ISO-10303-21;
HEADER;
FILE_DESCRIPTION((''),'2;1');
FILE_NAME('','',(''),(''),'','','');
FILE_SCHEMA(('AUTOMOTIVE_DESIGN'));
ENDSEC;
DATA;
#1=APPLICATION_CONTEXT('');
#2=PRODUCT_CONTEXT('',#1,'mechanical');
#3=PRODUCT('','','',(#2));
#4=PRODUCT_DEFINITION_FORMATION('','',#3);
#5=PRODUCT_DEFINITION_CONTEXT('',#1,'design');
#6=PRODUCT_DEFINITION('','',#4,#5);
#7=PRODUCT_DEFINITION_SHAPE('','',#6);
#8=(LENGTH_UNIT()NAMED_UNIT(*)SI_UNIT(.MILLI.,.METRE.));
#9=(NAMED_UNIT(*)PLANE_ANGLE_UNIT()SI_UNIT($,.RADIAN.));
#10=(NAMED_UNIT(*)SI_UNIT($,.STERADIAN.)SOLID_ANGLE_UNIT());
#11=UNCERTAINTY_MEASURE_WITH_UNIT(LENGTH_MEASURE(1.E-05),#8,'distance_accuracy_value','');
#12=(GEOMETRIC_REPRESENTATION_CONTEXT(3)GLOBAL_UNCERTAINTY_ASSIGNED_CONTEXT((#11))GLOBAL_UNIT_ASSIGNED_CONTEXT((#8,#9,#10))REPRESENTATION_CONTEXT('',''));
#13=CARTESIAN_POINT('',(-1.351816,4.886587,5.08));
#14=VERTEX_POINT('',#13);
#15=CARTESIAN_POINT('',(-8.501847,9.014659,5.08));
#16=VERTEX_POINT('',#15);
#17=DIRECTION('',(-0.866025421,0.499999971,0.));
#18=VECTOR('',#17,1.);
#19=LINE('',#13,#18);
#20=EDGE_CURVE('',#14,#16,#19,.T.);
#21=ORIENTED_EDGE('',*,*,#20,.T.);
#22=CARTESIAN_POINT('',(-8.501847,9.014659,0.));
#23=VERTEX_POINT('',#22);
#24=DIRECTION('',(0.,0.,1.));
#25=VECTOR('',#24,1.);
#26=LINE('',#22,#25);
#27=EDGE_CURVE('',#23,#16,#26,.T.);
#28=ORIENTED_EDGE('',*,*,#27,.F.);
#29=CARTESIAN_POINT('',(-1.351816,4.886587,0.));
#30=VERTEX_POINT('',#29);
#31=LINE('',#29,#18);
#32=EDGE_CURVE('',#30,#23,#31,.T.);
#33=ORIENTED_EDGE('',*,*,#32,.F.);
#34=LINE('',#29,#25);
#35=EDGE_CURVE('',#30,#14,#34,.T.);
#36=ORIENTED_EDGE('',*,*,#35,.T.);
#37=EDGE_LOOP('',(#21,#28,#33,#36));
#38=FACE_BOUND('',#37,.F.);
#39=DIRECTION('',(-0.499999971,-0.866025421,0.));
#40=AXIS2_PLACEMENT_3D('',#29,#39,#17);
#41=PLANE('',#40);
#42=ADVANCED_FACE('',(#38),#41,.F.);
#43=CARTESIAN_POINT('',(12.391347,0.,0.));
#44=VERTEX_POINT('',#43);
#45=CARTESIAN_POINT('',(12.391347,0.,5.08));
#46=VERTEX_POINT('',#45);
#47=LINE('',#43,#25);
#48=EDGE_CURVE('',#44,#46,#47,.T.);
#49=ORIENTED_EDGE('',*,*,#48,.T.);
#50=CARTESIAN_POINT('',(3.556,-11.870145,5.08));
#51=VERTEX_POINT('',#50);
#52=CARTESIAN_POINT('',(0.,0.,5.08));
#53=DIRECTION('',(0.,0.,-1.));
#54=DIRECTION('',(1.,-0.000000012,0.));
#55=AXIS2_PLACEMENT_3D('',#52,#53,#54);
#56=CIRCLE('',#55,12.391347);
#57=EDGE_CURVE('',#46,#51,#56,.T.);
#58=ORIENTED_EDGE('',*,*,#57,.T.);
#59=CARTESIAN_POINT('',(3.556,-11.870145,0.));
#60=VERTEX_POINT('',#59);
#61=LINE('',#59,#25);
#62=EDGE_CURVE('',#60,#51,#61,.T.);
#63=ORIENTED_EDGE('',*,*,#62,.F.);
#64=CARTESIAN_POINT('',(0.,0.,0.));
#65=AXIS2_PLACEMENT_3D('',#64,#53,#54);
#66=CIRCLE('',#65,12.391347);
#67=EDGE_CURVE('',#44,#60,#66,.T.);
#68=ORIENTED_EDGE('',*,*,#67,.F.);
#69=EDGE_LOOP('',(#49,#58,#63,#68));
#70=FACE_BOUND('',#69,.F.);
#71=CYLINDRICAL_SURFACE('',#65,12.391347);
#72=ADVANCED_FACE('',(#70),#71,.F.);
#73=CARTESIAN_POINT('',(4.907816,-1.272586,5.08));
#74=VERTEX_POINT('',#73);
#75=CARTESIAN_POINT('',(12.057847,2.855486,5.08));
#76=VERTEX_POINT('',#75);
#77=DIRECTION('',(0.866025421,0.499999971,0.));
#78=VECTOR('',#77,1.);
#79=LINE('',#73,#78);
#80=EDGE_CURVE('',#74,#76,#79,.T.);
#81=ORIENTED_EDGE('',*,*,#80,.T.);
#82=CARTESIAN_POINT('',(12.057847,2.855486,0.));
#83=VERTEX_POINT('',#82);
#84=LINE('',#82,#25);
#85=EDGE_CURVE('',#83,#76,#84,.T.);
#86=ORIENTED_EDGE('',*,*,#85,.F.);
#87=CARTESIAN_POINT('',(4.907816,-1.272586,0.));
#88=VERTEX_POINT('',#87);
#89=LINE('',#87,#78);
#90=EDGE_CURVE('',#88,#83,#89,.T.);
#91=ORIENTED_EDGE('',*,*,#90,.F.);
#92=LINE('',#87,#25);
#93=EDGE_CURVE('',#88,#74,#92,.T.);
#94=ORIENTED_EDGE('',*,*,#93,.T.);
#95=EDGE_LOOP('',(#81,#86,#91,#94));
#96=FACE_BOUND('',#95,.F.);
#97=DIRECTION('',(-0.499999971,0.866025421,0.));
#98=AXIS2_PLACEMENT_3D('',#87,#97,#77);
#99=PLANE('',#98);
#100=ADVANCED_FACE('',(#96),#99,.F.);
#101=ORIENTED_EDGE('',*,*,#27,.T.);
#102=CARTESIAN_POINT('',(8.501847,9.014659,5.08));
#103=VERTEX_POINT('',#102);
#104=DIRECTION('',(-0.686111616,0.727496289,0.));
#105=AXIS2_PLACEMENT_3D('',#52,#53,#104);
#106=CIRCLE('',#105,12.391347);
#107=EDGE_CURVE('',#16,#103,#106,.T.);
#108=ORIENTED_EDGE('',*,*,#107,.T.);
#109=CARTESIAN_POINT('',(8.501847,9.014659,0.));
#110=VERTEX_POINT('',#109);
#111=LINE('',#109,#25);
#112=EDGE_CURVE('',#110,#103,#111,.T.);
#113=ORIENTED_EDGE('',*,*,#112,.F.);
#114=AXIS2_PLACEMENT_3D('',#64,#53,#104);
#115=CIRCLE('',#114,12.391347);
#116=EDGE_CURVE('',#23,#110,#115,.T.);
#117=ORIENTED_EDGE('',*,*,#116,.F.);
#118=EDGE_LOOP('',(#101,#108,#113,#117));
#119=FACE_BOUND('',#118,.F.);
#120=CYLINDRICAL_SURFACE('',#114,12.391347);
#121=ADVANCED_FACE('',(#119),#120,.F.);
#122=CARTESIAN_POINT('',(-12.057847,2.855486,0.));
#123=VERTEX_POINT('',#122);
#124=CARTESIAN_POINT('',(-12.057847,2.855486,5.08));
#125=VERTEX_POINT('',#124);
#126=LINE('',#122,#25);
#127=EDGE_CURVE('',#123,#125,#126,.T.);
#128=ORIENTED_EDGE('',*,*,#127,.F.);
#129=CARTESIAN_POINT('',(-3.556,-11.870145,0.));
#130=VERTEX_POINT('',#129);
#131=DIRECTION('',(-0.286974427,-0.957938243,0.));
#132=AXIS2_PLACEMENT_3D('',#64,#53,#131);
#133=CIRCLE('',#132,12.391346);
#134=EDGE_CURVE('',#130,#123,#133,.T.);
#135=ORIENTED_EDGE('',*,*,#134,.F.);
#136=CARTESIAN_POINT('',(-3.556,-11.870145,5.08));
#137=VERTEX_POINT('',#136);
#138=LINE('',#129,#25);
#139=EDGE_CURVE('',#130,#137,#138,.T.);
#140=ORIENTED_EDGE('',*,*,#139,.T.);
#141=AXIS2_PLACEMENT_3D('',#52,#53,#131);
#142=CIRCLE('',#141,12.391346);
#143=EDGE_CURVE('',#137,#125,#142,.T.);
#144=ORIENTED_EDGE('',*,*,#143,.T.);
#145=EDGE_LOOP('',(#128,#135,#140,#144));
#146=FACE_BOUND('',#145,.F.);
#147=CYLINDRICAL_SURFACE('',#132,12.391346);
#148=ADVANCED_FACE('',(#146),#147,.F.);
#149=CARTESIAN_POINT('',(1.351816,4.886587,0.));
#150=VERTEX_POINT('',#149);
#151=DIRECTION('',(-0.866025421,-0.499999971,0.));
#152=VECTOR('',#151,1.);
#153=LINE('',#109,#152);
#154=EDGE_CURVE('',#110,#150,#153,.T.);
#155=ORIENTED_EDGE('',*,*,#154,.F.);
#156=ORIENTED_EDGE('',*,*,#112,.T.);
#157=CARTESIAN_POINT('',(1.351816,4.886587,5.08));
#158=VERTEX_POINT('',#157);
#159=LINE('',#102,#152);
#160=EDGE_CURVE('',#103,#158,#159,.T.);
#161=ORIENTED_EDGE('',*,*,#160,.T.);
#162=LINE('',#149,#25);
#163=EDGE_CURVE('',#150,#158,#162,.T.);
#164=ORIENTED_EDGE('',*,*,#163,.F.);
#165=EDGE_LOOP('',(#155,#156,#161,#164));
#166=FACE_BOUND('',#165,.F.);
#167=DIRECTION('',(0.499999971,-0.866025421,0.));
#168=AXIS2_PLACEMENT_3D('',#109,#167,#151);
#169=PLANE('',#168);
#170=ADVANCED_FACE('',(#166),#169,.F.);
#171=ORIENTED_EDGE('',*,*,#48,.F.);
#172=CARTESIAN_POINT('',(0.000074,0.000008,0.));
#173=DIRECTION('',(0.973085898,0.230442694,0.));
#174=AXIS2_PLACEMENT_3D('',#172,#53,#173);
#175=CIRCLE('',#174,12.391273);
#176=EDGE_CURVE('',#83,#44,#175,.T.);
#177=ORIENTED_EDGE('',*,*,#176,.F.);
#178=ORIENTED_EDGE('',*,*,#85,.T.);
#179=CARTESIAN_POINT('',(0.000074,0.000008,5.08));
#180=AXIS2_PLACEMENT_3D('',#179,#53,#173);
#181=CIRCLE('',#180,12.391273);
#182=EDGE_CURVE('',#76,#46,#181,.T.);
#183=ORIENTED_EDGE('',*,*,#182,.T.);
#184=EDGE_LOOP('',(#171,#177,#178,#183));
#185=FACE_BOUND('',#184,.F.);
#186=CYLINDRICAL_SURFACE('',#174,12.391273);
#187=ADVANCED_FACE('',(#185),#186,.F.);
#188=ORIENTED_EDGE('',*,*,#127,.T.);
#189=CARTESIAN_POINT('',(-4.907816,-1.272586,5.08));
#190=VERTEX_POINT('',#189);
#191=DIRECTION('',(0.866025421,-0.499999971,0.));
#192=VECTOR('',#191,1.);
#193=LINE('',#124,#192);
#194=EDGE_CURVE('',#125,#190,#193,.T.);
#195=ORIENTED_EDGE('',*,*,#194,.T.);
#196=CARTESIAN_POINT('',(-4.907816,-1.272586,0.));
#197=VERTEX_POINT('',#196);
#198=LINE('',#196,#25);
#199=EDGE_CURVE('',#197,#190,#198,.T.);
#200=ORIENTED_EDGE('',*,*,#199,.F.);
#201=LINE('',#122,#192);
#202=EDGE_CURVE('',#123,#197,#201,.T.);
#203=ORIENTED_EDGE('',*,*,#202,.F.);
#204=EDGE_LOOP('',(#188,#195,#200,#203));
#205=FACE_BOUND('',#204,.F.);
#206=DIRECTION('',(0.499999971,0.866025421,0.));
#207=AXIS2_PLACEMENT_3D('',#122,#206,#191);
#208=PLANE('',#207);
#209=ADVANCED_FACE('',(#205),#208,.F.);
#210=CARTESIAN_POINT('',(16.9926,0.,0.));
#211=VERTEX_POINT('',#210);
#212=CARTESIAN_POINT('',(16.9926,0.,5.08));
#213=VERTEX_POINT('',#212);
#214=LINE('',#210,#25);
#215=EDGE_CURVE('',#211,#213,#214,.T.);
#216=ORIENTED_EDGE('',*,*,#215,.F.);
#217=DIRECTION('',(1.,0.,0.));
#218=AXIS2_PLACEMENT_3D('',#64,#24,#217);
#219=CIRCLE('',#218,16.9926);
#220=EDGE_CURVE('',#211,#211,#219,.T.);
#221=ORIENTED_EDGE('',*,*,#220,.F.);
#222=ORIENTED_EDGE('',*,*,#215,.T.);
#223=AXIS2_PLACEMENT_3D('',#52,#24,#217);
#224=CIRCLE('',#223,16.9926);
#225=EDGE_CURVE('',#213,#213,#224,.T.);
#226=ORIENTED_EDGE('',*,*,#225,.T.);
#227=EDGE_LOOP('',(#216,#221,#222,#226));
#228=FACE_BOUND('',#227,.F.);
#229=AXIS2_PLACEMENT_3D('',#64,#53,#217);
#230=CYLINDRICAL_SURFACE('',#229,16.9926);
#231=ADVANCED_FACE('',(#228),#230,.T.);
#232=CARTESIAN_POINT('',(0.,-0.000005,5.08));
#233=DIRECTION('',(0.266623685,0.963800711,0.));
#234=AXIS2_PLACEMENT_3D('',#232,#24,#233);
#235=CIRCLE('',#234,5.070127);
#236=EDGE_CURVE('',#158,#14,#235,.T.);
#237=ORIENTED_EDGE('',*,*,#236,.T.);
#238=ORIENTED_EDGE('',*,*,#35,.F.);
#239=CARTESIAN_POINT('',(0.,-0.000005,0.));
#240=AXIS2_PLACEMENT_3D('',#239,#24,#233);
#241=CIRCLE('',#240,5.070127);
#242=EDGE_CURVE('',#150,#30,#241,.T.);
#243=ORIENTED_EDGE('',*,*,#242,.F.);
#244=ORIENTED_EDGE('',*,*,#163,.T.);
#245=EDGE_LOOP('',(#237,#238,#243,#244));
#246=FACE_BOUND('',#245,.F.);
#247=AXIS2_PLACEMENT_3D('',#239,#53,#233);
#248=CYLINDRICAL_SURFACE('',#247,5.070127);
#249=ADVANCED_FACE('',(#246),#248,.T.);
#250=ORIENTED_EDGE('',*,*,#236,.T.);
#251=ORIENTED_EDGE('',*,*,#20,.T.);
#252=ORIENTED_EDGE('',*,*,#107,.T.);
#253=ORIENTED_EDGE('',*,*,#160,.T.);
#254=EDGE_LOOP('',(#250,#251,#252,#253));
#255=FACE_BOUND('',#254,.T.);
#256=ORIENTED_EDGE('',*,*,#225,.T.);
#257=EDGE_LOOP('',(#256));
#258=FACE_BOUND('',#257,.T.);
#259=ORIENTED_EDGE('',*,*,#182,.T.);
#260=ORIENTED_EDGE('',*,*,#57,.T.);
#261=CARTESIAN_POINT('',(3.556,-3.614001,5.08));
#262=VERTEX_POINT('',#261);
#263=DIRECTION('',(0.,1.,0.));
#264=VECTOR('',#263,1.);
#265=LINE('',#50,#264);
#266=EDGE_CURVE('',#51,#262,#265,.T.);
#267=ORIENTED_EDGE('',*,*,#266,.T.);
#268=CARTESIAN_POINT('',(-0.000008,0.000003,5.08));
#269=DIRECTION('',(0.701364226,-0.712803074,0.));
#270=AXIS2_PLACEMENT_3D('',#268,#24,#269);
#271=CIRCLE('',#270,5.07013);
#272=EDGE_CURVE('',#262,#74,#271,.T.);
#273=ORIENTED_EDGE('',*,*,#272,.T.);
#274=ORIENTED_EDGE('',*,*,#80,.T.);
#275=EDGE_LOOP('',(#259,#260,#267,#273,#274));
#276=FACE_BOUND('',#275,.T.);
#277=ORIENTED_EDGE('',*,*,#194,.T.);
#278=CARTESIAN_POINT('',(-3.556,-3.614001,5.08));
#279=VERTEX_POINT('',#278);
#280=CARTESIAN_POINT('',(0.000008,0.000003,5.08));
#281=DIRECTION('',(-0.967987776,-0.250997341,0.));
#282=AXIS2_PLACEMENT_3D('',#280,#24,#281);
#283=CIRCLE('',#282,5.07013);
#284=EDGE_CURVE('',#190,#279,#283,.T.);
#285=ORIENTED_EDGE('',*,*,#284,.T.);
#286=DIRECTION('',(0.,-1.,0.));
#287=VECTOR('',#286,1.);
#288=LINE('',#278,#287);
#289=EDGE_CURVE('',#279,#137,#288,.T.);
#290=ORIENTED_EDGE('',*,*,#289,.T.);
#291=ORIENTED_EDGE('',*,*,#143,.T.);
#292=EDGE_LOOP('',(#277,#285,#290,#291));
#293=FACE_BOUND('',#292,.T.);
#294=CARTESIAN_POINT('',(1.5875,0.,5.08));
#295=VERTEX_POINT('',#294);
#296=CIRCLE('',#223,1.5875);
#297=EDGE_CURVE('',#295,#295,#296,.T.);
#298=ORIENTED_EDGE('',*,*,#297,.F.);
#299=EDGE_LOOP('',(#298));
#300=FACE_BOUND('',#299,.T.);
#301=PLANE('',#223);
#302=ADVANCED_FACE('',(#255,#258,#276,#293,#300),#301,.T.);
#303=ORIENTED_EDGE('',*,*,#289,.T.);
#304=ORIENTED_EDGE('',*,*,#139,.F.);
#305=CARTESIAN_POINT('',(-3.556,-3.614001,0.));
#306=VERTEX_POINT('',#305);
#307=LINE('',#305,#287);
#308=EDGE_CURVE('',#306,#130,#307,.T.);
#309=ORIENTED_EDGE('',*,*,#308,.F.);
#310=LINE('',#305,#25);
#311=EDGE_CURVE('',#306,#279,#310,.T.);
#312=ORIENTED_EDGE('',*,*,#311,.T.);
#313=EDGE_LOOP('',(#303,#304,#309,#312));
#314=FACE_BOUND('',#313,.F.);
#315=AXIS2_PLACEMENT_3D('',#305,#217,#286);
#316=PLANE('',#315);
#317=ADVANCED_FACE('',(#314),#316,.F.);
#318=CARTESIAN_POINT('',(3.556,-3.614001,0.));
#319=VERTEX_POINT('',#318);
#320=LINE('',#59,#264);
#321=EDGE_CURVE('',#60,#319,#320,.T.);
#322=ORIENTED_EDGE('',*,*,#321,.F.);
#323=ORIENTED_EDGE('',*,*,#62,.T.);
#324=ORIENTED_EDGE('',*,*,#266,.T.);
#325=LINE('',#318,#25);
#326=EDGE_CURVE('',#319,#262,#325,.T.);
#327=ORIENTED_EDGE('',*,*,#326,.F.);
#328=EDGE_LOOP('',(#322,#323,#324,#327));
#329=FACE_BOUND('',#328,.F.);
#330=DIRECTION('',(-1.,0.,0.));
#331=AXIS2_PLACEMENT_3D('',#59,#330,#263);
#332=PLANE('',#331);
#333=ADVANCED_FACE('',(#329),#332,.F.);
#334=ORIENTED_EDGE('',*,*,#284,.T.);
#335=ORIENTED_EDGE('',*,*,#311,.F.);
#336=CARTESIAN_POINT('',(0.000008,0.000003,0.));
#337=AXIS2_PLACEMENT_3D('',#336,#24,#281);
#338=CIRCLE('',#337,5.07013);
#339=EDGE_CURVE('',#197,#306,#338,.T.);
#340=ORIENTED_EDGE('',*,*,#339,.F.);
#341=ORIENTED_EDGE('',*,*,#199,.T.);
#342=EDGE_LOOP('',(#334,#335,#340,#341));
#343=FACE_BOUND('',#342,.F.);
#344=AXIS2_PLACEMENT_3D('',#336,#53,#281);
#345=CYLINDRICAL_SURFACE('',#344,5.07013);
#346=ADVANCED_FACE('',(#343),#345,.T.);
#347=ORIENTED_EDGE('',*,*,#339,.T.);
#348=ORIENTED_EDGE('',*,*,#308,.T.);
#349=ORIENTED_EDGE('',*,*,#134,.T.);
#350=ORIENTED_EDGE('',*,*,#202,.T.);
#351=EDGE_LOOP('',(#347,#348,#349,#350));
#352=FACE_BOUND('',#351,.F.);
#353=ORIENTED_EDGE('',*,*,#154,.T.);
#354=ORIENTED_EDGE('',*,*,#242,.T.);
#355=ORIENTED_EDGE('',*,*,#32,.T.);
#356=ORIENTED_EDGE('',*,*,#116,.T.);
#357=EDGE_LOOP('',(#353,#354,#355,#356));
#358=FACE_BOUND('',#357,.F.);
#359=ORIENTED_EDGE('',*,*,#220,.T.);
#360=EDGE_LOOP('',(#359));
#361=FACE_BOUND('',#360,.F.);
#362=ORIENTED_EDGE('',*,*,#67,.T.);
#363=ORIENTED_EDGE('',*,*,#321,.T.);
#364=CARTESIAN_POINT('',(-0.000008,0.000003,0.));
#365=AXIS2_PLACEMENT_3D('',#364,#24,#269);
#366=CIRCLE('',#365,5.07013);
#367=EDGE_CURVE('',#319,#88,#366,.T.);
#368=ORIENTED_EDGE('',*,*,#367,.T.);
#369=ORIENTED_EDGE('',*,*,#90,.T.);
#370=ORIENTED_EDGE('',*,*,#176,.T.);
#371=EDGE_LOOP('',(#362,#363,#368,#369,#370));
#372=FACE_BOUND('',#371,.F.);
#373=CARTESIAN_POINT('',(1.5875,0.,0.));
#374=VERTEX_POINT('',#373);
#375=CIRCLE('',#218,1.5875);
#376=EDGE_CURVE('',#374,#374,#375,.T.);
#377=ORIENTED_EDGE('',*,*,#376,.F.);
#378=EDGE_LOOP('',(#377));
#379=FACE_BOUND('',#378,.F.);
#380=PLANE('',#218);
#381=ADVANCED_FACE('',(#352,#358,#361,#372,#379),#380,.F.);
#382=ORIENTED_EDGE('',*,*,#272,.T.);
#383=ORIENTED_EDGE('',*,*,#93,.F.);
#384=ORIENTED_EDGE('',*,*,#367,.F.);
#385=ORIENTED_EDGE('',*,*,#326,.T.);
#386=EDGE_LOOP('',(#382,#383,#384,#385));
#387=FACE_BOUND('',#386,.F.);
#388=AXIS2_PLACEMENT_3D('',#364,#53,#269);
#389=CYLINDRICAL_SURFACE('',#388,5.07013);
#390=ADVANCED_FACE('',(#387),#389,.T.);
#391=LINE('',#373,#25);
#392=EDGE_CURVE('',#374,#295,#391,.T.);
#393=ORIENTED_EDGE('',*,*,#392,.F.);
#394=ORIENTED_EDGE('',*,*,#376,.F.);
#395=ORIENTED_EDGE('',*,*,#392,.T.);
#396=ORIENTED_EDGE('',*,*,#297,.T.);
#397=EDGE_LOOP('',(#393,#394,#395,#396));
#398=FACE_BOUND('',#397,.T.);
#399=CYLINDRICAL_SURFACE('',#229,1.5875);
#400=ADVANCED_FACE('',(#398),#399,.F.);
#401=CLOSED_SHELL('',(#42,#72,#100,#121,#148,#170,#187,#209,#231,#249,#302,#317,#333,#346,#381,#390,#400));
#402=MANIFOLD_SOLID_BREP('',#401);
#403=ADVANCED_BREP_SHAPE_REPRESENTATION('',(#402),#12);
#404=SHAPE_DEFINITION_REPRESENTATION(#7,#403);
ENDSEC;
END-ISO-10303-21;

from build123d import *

# Parameters (mm, degrees)
F0_R     = 16.9926
F0_R_2   = 1.5875
F1_DEPTH = 5.08


with BuildPart() as f1:
    # F0 (on Top) → F1 (new body)
    with BuildSketch(Plane.XY):
        Circle(F0_R)
        with BuildLine():
            ThreePointArc((12.057847, 2.855486), (12.30769, 1.437448), (12.391347, 0))
            ThreePointArc((12.391347, 0), (9.940048, -7.398711), (3.556, -11.870145))
            ThreePointArc((3.556, -11.870145), (0, -12.391347), (-3.556, -11.870145))
            ThreePointArc((-3.556, -11.870145), (-10.731221, -6.195674), (-12.057847, 2.855486))
            ThreePointArc((-12.057847, 2.855486), (-10.731221, 6.195674), (-8.501847, 9.014659))
            ThreePointArc((-8.501847, 9.014659), (0, 12.391347), (8.501847, 9.014659))
            ThreePointArc((8.501847, 9.014659), (10.731221, 6.195674), (12.057847, 2.855486))
        make_face(mode=Mode.SUBTRACT)
        with BuildLine():
            Line((-1.351816, 4.886587), (-8.501847, 9.014659))
            ThreePointArc((-8.501847, 9.014659), (-10.731221, 6.195674), (-12.057847, 2.855486))
            Line((-12.057847, 2.855486), (-4.907816, -1.272586))
            ThreePointArc((-4.907816, -1.272586), (-4.390854, 2.535061), (-1.351816, 4.886587))
        make_face()
        with BuildLine():
            ThreePointArc((3.556, -3.614001), (4.390854, -2.535061), (4.907816, -1.272586))
            ThreePointArc((4.907816, -1.272586), (5.029382, -0.641447), (5.070122, 0))
            ThreePointArc((5.070122, 0), (4.034849, 3.070201), (1.351816, 4.886587))
            ThreePointArc((1.351816, 4.886587), (0, 5.070122), (-1.351816, 4.886587))
            ThreePointArc((-1.351816, 4.886587), (-4.390854, 2.535061), (-4.907816, -1.272586))
            ThreePointArc((-4.907816, -1.272586), (-4.390854, -2.535061), (-3.556, -3.614001))
            ThreePointArc((-3.556, -3.614001), (0, -5.070122), (3.556, -3.614001))
        make_face()
        Circle(F0_R_2, mode=Mode.SUBTRACT)
        with BuildLine():
            ThreePointArc((-3.556, -11.870145), (0, -12.391347), (3.556, -11.870145))
            Line((3.556, -11.870145), (3.556, -3.614001))
            ThreePointArc((3.556, -3.614001), (0, -5.070122), (-3.556, -3.614001))
            Line((-3.556, -3.614001), (-3.556, -11.870145))
        make_face()
        with BuildLine():
            Line((4.907816, -1.272586), (12.057847, 2.855486))
            ThreePointArc((12.057847, 2.855486), (10.731221, 6.195674), (8.501847, 9.014659))
            Line((8.501847, 9.014659), (1.351816, 4.886587))
            ThreePointArc((1.351816, 4.886587), (4.034849, 3.070201), (5.070122, 0))
            ThreePointArc((5.070122, 0), (5.029382, -0.641447), (4.907816, -1.272586))
        make_face()
    extrude(amount=F1_DEPTH)


solid = f1.part
